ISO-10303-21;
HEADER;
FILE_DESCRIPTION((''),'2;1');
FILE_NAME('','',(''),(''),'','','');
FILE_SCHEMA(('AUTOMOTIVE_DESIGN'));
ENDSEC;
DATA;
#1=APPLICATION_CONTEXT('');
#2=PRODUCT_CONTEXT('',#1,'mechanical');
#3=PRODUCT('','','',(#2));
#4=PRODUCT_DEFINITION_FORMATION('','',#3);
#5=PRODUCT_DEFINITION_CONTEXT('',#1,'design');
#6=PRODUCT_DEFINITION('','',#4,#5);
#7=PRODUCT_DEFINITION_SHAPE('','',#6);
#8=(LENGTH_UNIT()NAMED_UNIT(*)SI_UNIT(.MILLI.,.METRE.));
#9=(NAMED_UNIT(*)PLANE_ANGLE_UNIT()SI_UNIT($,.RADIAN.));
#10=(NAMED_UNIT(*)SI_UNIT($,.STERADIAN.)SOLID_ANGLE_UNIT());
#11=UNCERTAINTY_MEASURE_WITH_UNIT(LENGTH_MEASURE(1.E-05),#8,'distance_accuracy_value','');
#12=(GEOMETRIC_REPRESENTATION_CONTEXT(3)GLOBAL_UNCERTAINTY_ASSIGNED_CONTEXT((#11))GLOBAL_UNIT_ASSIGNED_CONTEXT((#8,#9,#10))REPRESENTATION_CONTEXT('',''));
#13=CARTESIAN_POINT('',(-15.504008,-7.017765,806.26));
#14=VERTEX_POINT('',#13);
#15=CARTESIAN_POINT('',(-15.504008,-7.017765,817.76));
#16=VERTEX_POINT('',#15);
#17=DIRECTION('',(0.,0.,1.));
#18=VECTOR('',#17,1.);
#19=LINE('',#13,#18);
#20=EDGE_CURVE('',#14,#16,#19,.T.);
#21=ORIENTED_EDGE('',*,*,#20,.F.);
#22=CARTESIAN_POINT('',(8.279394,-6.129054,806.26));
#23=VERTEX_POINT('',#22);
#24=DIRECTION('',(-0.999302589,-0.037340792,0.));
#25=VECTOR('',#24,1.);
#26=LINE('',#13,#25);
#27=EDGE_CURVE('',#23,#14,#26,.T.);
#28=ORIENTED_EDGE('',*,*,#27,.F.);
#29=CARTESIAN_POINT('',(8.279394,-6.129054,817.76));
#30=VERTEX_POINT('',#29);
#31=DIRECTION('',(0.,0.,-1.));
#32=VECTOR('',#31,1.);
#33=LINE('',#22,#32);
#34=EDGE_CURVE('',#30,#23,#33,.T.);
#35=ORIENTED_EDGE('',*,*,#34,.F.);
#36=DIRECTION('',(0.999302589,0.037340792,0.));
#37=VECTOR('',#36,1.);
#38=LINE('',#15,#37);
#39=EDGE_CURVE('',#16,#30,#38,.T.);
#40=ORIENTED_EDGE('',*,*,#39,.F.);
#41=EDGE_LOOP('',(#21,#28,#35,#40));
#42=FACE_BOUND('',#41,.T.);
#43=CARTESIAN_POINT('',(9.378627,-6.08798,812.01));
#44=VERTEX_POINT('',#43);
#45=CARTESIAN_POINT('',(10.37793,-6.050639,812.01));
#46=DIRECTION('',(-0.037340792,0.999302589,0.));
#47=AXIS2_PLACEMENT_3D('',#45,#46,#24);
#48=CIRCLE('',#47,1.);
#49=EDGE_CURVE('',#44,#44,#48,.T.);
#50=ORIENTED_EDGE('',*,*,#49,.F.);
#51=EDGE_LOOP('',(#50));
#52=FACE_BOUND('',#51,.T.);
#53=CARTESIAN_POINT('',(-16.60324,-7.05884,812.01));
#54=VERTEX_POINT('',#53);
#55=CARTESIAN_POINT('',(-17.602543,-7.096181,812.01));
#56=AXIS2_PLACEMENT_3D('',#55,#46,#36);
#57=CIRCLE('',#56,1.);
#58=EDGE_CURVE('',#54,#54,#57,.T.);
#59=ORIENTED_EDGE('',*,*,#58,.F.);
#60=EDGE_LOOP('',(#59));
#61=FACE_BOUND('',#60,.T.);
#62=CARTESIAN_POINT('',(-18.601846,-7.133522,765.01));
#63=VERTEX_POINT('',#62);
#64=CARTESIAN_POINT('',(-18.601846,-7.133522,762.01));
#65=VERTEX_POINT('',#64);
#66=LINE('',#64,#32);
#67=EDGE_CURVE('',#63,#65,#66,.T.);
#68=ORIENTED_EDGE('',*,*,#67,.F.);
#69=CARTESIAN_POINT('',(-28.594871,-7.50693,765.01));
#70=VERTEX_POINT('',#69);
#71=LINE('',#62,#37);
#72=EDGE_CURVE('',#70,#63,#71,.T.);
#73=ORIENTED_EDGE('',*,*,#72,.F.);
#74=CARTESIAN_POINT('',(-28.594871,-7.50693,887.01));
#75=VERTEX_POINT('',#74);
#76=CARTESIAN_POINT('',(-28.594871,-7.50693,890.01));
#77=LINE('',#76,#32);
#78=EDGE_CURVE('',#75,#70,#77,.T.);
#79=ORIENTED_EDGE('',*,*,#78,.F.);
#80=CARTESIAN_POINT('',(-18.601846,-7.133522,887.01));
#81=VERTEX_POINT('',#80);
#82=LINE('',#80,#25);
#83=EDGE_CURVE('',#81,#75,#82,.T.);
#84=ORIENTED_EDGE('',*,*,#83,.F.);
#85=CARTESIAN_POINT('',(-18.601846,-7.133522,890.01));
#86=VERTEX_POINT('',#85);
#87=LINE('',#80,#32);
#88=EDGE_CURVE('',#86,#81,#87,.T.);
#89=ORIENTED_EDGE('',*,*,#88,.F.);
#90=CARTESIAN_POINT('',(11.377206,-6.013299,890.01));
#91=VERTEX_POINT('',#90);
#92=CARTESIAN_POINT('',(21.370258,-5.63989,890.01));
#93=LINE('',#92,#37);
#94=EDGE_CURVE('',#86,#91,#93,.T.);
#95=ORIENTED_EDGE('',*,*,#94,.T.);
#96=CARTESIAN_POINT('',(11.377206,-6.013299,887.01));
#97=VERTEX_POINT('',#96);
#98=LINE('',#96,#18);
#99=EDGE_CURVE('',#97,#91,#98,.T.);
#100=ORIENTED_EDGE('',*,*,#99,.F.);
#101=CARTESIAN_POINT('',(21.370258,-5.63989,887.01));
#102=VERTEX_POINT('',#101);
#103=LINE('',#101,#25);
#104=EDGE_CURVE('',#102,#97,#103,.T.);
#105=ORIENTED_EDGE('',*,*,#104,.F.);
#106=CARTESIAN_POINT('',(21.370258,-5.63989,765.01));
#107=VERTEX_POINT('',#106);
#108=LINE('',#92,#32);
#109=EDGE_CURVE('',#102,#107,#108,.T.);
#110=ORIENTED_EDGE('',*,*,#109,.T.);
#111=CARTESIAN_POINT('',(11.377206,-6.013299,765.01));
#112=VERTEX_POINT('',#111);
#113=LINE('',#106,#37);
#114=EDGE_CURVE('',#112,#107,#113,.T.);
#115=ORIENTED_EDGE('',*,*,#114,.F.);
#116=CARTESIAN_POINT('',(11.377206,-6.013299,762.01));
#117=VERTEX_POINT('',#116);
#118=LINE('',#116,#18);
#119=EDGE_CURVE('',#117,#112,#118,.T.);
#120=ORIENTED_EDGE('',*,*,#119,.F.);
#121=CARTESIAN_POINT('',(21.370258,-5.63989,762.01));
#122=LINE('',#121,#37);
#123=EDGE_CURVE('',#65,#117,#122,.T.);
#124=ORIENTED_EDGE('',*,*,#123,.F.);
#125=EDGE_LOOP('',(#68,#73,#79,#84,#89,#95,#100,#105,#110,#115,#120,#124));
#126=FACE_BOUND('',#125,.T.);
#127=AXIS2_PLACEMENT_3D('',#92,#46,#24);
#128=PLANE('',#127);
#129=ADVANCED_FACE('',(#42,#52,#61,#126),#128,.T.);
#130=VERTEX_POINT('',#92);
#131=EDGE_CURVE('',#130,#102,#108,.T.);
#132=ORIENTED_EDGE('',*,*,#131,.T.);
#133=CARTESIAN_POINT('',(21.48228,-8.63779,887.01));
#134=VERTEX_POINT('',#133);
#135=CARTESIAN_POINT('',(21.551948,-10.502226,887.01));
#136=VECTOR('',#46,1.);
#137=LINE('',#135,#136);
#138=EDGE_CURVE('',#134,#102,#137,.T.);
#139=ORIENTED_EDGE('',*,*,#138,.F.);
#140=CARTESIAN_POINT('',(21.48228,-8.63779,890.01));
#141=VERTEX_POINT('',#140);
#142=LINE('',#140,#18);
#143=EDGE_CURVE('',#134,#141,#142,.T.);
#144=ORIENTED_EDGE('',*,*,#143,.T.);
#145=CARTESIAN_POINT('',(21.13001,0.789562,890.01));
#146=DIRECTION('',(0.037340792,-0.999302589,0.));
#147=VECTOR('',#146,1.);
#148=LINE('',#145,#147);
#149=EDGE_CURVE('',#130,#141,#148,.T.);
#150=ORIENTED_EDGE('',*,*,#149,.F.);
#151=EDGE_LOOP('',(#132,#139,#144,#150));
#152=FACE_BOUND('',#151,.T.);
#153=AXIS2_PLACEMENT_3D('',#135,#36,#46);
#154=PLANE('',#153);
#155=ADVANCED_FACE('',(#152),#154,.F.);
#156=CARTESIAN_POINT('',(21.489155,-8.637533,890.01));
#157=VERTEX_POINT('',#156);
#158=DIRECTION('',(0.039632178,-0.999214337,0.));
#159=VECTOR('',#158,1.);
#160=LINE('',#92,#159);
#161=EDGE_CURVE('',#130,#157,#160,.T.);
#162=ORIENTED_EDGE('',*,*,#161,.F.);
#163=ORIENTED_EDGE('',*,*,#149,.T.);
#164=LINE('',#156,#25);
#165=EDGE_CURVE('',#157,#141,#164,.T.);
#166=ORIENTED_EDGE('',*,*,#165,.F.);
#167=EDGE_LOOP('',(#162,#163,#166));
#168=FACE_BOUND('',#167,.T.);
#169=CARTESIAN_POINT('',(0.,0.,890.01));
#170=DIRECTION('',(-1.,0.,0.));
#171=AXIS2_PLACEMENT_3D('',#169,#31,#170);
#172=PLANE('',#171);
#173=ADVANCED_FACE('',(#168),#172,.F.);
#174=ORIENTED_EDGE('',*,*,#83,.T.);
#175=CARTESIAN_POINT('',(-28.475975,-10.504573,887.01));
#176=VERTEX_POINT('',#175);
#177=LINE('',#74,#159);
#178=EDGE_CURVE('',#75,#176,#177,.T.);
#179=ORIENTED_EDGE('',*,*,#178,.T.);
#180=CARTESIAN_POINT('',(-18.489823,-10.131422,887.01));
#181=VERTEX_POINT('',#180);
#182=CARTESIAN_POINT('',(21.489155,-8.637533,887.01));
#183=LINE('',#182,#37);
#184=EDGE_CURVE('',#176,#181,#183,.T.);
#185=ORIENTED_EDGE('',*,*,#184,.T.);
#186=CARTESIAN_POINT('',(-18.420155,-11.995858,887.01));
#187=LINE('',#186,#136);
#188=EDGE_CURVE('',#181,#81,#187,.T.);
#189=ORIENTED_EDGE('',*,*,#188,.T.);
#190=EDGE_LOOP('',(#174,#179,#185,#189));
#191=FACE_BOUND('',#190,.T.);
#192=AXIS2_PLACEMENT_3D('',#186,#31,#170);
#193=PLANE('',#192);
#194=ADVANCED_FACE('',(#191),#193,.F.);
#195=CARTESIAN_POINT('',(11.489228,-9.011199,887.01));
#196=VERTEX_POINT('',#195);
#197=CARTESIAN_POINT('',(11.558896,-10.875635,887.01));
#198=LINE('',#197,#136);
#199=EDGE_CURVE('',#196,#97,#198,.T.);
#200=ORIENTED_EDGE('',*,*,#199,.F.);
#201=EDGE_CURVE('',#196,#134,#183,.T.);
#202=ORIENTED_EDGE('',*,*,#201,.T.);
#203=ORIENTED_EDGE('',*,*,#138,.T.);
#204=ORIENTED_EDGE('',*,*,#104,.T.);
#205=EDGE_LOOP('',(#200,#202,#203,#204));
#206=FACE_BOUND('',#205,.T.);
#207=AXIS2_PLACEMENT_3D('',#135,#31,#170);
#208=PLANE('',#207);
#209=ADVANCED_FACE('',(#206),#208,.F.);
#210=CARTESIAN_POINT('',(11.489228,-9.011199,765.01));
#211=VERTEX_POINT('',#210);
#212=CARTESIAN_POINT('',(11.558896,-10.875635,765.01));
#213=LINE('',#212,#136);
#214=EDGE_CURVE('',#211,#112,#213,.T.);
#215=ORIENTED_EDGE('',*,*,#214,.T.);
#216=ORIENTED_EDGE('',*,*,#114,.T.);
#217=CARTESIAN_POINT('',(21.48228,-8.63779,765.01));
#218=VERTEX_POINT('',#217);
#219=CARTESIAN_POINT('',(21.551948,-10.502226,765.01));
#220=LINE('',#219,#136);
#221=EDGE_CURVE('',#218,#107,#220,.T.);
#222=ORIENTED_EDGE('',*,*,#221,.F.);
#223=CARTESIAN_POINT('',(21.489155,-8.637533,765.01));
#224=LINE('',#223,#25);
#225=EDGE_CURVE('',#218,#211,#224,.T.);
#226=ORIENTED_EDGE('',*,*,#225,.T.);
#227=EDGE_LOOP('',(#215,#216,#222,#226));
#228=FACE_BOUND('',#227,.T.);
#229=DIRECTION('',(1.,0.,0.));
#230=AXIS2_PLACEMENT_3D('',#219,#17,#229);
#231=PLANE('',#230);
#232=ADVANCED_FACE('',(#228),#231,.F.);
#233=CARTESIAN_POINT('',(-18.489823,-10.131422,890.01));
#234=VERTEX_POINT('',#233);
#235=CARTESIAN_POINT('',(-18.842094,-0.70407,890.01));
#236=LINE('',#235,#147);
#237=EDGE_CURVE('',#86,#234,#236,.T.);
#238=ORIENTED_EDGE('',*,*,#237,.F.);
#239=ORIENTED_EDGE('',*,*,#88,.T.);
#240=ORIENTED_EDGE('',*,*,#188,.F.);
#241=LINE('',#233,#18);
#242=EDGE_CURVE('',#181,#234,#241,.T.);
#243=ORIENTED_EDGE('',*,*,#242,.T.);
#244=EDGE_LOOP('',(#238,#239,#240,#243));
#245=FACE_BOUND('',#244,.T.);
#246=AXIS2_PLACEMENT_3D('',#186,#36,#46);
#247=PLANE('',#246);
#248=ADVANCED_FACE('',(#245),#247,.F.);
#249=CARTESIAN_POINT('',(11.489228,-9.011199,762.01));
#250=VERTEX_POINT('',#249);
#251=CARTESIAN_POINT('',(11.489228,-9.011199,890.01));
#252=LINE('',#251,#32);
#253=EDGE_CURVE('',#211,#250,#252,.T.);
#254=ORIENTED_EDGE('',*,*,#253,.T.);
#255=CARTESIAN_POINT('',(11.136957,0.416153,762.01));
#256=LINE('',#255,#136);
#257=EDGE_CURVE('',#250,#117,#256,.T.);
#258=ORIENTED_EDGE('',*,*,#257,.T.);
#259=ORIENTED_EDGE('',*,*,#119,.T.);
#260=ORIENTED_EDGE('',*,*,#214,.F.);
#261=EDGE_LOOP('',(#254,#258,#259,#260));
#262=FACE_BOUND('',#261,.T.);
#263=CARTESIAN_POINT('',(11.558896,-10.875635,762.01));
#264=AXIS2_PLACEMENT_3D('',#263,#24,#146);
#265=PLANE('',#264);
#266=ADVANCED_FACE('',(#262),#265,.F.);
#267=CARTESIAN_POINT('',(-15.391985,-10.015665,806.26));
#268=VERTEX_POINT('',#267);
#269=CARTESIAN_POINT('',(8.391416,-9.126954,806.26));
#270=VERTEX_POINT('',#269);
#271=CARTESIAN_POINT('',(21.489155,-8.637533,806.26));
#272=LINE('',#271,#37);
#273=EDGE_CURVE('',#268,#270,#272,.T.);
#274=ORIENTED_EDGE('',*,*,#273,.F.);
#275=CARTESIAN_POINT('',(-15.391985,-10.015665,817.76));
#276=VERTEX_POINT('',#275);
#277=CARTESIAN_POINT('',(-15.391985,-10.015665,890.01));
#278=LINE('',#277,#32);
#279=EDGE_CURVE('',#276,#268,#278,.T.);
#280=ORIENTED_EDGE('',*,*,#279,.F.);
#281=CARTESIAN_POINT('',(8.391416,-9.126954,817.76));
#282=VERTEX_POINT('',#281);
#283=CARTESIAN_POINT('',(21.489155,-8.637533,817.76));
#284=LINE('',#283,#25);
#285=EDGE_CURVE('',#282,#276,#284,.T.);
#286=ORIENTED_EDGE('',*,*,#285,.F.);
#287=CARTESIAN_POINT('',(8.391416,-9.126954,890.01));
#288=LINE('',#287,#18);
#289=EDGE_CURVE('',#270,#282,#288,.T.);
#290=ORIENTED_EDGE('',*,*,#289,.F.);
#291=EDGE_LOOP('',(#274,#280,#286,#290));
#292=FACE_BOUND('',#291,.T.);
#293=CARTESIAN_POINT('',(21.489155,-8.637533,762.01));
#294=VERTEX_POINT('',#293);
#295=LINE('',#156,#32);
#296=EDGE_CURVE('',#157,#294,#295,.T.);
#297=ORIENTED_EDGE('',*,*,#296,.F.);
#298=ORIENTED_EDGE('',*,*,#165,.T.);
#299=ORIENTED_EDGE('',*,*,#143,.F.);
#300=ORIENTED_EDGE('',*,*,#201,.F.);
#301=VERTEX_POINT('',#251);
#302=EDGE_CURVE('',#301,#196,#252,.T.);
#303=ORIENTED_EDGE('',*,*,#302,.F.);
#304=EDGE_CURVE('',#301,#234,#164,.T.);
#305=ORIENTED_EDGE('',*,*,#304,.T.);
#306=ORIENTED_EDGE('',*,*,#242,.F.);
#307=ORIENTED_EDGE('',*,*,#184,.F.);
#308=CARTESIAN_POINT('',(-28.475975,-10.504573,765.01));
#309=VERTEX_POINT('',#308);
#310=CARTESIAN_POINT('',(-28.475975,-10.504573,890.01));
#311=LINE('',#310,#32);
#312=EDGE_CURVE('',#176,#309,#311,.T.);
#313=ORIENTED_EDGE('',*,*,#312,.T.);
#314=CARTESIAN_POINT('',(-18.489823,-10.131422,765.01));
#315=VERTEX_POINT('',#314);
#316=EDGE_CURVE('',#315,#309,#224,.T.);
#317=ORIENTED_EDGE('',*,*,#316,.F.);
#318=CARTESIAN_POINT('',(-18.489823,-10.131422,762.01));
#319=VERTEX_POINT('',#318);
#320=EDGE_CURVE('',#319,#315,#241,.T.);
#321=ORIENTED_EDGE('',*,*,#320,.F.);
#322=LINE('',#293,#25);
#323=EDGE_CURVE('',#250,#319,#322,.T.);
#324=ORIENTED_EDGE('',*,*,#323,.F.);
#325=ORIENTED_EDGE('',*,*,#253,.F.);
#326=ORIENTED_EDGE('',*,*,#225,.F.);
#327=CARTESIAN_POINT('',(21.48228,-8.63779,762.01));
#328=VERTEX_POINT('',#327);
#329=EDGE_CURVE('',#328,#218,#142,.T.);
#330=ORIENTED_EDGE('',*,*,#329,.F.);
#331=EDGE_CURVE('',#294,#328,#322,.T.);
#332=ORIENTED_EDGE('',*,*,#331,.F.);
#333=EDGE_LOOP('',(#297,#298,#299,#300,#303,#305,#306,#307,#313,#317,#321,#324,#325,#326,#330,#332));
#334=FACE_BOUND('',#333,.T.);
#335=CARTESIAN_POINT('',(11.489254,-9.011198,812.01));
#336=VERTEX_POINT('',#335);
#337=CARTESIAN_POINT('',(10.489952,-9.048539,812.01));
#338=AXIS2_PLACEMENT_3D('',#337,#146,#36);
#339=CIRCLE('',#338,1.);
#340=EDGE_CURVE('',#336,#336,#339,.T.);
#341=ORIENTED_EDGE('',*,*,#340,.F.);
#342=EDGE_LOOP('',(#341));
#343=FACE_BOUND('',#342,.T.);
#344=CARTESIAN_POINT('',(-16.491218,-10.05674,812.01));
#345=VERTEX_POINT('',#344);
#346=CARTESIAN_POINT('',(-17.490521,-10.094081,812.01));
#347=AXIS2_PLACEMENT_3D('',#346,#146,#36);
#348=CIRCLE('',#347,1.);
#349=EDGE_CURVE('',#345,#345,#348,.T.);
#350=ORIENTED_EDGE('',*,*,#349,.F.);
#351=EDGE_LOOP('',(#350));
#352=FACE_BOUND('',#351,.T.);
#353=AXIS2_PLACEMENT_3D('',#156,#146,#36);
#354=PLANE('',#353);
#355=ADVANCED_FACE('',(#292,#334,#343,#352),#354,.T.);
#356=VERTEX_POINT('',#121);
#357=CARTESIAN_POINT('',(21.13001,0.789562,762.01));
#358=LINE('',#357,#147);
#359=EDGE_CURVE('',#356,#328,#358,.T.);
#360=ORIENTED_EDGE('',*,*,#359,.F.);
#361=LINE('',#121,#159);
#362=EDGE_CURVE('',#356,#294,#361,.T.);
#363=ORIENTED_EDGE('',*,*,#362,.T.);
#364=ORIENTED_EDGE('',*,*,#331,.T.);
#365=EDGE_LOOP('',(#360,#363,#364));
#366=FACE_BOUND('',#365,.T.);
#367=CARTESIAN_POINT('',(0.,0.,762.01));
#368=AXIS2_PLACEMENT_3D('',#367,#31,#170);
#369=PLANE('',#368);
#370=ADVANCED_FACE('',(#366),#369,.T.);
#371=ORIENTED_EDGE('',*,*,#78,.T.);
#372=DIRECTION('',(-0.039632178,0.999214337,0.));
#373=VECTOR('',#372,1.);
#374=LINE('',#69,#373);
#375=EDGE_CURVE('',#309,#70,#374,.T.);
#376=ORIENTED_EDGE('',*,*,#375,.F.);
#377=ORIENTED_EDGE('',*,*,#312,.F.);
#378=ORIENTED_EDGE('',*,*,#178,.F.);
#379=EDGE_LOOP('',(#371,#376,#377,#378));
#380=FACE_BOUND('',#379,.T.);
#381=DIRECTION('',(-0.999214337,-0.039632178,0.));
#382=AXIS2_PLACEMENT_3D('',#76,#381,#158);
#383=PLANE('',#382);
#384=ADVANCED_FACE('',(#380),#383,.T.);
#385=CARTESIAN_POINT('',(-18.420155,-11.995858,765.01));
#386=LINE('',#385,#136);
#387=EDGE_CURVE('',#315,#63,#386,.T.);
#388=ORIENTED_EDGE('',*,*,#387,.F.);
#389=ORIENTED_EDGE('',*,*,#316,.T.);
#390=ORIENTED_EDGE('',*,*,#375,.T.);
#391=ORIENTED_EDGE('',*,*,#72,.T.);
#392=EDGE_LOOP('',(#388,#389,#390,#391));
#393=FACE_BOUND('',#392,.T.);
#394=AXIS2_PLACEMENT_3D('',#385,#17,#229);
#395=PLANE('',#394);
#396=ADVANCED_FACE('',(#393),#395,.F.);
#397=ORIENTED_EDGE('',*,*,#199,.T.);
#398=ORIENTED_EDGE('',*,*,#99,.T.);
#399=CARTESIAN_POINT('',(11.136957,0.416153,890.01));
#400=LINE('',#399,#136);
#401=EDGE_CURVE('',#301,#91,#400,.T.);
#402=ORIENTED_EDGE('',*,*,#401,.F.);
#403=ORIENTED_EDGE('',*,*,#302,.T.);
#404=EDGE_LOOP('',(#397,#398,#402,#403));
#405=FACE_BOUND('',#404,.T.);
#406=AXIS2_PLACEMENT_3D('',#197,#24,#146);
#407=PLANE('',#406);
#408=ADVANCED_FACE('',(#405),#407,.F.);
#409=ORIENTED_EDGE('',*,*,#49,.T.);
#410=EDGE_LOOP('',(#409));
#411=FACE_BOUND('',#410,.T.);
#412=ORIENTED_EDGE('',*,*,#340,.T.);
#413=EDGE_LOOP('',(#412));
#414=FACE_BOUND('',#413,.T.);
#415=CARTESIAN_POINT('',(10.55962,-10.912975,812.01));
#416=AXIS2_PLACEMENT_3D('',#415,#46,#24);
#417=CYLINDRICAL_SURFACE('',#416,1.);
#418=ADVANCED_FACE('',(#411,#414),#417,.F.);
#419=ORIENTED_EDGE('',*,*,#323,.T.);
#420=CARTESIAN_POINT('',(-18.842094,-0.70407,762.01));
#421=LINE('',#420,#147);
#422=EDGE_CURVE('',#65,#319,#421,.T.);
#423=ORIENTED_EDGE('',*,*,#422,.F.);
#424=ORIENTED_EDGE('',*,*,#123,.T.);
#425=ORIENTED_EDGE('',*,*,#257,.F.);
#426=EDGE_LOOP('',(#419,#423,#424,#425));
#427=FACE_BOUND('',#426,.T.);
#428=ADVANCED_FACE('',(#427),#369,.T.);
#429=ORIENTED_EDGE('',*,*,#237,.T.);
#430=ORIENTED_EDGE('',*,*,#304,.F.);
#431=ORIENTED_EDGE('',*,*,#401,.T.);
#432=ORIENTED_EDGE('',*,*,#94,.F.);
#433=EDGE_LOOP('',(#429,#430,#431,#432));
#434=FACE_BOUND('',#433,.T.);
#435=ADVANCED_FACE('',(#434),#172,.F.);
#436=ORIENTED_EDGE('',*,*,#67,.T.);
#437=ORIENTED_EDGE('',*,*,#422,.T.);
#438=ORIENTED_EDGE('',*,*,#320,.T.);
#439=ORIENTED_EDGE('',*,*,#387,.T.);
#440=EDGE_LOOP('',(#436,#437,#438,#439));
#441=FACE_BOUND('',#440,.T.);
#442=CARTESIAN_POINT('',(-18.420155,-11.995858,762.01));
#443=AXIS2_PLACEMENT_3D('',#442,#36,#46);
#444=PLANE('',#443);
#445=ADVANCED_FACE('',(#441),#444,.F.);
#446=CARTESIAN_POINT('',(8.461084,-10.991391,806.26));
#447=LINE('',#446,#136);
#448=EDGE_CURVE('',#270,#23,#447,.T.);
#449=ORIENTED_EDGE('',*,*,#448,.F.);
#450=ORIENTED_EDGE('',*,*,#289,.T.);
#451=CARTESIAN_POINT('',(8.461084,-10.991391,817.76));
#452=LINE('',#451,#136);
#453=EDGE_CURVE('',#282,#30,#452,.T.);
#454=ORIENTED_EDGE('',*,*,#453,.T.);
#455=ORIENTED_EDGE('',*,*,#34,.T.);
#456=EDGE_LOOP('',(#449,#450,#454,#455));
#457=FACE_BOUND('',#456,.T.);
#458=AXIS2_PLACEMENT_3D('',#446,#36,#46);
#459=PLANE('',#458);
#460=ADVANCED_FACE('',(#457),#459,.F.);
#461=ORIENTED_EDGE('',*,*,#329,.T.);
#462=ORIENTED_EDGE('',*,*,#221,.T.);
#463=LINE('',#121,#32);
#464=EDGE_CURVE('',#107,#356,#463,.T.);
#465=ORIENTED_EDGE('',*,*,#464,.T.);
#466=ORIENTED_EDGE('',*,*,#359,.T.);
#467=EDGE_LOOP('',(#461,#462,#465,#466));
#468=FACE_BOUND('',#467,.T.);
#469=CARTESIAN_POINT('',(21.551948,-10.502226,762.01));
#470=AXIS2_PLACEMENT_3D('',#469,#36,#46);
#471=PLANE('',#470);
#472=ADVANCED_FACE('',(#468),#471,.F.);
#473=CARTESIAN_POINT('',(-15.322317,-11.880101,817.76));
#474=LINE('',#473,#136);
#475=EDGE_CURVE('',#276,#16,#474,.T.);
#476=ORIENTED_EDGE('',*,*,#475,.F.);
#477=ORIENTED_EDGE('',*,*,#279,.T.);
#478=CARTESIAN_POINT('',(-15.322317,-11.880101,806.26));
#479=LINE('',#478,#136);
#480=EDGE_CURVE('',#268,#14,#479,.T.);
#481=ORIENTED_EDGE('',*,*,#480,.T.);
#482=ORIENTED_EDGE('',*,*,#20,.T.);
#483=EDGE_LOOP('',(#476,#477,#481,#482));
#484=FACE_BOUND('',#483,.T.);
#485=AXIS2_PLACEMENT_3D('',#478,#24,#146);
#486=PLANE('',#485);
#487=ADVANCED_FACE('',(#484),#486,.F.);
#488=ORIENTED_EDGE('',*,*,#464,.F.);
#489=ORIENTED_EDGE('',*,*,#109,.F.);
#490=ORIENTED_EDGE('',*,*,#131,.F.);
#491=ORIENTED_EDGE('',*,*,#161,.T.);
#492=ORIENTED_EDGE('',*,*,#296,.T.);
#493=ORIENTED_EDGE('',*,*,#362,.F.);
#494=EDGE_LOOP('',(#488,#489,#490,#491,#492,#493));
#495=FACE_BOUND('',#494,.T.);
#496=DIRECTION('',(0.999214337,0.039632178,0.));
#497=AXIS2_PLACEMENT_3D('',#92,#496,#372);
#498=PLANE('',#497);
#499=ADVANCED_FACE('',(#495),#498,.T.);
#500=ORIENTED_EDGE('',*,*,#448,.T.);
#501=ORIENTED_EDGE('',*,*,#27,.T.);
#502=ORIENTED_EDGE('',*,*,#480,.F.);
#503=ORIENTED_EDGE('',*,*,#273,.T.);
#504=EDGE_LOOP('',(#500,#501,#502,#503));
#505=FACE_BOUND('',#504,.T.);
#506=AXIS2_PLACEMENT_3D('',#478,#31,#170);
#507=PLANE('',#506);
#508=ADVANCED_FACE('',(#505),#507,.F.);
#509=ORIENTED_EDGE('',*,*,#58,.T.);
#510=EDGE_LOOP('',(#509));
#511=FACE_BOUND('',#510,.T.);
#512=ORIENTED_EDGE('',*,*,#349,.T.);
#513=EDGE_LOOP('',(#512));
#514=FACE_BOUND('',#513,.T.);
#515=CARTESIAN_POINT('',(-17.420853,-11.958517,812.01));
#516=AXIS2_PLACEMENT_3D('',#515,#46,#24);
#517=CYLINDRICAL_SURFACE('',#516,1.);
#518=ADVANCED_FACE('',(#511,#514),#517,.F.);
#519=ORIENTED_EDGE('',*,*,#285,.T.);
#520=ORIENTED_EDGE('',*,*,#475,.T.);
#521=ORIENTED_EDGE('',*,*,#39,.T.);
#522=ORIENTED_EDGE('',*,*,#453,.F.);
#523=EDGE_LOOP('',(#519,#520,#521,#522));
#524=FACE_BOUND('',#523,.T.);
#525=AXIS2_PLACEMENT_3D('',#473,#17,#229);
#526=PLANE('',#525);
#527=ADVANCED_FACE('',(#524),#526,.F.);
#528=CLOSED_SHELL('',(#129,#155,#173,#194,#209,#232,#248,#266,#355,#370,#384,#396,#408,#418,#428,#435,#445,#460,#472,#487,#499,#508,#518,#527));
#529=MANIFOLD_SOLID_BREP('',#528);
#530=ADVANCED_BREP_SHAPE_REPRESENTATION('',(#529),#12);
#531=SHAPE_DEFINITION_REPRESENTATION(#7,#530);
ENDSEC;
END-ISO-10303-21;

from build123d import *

# Parameters (mm, degrees)
EXTRUDE_1_DEPTH     = 128
SKETCH_3_W          = 10.000026291
SKETCH_3_H          = 3
CUT_EXTRUDE_1_DEPTH = 891.48631143
SKETCH_4_R          = 1
SKETCH_4_W          = 23.8
SKETCH_4_H          = 11.5
CUT_EXTRUDE_2_DEPTH = 891.48631143


with BuildPart() as part:
    # 草图2 → 凸台-拉伸1 (new body)
    with BuildSketch(Plane(origin=(0, 0, 762.01), x_dir=(-1, 0, 0), z_dir=(0, 0, -1))):
        Polygon((-21.370258024, -5.639890041), (28.594871448, -7.506929626), (28.475974915, -10.504572636), (-21.489154557, -8.637533051), align=None)
    extrude(amount=-EXTRUDE_1_DEPTH)

    # 草图3 → 切除-拉伸1 (cut, through all)
    with BuildSketch(Plane(origin=(0.240248379, -6.429451979, 0), x_dir=(0.9993025894470269, 0.03734079169577059, 0), z_dir=(-0.03734079169577059, 0.9993025894470269, 0))):
        with Locations((-23.855256925, -763.51)):
            Rectangle(SKETCH_3_W, SKETCH_3_H)
        with Locations((16.144743076, -763.51)):
            Rectangle(SKETCH_3_W, SKETCH_3_H)
        with Locations((-23.855256925, -888.51)):
            Rectangle(SKETCH_3_W, SKETCH_3_H)
        with Locations((16.144743076, -888.51)):
            Rectangle(SKETCH_3_W, SKETCH_3_H)
    extrude(amount=-CUT_EXTRUDE_1_DEPTH, mode=Mode.SUBTRACT)

    # 草图4 → 切除-拉伸2 (cut, through all)
    with BuildSketch(Plane(origin=(0.240248379, -6.429451979, 0), x_dir=(0.9993025894470269, 0.03734079169577059, 0), z_dir=(-0.03734079169577059, 0.9993025894470269, 0))):
        with Locations(Location((10.144756221, -812.01, 0), (0, 0, 180))):
            Circle(SKETCH_4_R)
        with Locations((-17.855243779, -812.01)):
            Circle(SKETCH_4_R)
        with Locations((-3.855243779, -812.01)):
            Rectangle(SKETCH_4_W, SKETCH_4_H)
    extrude(amount=-CUT_EXTRUDE_2_DEPTH, mode=Mode.SUBTRACT)


solid = part.part
